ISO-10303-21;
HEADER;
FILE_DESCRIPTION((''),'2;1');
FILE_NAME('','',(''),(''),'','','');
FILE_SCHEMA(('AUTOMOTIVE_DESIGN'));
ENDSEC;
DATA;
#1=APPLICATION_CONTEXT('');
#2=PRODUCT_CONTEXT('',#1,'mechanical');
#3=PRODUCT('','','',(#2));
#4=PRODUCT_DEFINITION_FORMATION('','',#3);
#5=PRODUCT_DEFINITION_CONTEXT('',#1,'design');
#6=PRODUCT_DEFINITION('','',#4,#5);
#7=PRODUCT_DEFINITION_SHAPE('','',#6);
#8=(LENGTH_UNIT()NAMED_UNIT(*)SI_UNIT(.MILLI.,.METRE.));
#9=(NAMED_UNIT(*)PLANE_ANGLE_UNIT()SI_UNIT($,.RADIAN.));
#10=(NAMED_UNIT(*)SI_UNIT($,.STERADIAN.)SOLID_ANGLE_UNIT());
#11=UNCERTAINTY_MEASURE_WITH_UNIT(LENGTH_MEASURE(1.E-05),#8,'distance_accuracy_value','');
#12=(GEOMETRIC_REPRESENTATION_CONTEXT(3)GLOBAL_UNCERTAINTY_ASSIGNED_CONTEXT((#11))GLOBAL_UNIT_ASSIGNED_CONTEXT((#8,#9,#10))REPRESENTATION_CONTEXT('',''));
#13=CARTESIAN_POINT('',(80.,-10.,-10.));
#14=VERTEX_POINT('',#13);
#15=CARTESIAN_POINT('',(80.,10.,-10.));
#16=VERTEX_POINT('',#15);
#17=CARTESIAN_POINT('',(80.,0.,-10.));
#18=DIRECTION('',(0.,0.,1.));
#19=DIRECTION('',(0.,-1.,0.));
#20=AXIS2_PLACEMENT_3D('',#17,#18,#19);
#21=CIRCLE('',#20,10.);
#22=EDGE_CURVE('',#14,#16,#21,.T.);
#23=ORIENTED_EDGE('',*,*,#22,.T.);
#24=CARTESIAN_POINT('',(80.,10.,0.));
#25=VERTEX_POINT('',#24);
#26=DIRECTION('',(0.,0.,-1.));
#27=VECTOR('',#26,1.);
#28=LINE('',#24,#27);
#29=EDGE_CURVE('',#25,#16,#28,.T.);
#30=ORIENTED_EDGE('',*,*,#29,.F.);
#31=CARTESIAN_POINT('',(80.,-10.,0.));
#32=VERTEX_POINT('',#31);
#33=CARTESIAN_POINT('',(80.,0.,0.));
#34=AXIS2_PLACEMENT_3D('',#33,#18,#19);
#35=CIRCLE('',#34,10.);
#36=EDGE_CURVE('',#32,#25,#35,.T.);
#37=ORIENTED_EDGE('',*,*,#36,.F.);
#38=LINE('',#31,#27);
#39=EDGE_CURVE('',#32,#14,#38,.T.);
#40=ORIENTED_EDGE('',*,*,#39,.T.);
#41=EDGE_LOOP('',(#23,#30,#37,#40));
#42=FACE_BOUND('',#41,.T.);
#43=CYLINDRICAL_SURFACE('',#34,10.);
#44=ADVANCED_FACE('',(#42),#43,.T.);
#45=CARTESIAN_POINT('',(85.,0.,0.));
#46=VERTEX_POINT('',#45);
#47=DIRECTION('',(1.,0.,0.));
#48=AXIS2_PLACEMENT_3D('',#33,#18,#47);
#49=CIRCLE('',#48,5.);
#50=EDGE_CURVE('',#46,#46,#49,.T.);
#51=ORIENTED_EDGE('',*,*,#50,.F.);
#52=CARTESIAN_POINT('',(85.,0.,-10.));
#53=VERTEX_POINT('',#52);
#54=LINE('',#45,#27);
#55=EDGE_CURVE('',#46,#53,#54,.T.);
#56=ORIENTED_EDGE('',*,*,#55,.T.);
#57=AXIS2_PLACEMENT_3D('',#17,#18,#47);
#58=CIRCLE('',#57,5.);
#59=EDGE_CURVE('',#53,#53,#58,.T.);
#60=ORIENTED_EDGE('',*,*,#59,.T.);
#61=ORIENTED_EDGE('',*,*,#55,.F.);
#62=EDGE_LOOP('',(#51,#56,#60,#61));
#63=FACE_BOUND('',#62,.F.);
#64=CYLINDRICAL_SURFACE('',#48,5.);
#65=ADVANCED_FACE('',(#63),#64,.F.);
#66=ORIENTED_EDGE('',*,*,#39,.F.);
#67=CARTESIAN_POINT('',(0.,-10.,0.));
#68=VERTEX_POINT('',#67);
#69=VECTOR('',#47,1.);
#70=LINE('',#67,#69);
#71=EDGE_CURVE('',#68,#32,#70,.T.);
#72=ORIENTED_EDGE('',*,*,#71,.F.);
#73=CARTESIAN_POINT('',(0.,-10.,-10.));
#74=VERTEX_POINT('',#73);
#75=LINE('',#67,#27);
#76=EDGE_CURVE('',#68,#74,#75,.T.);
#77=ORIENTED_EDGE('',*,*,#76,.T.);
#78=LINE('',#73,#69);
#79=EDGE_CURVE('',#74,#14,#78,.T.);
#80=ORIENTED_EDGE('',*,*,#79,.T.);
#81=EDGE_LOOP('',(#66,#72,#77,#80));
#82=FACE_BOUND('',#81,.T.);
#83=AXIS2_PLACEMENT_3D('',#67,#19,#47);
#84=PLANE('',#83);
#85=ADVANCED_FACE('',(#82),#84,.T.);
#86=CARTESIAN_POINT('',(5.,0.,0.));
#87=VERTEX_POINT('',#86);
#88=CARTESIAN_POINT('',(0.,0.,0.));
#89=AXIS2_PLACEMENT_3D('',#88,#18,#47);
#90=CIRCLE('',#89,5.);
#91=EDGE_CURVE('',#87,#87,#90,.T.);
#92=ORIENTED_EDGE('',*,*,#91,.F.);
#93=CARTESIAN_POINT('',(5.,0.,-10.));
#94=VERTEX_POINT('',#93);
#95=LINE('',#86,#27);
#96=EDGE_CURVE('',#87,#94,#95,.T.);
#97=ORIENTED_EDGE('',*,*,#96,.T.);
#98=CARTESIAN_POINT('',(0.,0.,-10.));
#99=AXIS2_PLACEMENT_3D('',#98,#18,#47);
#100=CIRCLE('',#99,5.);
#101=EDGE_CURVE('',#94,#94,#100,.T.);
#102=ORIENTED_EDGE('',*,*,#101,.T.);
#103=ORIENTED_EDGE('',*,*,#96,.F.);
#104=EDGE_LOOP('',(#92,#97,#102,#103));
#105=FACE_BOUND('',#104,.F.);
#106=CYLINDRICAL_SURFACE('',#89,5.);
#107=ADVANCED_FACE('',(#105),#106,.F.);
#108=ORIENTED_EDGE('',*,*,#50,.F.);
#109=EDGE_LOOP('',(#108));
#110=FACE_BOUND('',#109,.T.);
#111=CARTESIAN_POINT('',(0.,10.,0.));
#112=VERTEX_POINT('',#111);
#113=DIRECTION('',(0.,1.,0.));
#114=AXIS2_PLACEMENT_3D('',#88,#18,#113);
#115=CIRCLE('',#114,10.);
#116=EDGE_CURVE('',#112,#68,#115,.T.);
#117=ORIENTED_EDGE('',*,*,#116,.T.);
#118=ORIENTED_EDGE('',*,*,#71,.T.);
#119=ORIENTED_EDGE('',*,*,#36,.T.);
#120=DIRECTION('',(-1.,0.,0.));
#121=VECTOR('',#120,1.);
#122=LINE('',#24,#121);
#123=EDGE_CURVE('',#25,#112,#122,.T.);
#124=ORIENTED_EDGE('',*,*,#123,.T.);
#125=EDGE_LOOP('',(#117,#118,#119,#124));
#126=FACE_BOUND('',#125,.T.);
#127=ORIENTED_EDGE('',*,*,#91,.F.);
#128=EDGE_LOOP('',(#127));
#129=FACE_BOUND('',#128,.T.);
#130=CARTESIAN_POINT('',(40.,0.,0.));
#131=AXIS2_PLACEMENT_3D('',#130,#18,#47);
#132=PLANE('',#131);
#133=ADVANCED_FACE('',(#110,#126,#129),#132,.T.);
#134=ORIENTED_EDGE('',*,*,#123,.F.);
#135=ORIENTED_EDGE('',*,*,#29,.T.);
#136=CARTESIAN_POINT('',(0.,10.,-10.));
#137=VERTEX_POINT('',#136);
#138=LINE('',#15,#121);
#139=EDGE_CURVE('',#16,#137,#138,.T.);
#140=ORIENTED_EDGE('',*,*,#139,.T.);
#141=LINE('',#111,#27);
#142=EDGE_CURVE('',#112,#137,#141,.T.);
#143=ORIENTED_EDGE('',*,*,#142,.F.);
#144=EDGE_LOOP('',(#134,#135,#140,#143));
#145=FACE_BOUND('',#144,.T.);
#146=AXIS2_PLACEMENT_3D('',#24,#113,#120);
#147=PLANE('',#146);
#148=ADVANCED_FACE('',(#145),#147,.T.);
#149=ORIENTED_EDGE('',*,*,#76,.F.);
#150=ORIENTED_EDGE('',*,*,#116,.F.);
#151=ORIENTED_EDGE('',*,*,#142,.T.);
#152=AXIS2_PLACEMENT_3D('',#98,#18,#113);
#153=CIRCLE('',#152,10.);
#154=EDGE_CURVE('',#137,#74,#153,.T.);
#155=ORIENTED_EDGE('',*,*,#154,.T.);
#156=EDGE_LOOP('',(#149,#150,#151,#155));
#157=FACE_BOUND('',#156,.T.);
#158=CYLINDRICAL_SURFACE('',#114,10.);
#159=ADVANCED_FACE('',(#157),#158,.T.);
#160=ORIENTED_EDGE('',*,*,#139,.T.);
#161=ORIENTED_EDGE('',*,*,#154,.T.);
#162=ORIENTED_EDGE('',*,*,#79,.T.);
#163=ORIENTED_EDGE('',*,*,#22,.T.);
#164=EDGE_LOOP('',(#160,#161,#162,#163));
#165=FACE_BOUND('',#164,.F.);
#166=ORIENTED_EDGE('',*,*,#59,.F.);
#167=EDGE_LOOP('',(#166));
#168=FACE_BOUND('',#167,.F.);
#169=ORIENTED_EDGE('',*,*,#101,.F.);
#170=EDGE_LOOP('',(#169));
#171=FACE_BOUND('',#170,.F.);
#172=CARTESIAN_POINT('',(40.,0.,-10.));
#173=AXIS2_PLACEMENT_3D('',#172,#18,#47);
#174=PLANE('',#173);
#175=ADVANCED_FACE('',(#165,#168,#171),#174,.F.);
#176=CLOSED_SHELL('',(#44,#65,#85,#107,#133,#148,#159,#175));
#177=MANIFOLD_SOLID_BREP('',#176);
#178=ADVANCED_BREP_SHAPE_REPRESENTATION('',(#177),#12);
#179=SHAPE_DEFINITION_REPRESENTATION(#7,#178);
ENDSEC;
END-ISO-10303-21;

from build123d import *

# Parameters (mm, degrees)
F1_DEPTH = 10
F2_R     = 5
F3_DEPTH = 10.001


with BuildPart() as f1:
    # F0 (on Top) → F1 (new body)
    with BuildSketch(Plane.XY):
        with BuildLine():
            Line((80, 10), (0, 10))
            ThreePointArc((0, 10), (-10, 0), (0, -10))
            Line((0, -10), (80, -10))
            ThreePointArc((80, -10), (90, 0), (80, 10))
        make_face()
    extrude(amount=-F1_DEPTH)

    # F2 (on face) → F3 (cut, through all)
    with BuildSketch(Plane.XY):
        Circle(F2_R)
        with Locations((80, 0)):
            Circle(F2_R)
    extrude(amount=-F3_DEPTH, mode=Mode.SUBTRACT)


solid = f1.part
